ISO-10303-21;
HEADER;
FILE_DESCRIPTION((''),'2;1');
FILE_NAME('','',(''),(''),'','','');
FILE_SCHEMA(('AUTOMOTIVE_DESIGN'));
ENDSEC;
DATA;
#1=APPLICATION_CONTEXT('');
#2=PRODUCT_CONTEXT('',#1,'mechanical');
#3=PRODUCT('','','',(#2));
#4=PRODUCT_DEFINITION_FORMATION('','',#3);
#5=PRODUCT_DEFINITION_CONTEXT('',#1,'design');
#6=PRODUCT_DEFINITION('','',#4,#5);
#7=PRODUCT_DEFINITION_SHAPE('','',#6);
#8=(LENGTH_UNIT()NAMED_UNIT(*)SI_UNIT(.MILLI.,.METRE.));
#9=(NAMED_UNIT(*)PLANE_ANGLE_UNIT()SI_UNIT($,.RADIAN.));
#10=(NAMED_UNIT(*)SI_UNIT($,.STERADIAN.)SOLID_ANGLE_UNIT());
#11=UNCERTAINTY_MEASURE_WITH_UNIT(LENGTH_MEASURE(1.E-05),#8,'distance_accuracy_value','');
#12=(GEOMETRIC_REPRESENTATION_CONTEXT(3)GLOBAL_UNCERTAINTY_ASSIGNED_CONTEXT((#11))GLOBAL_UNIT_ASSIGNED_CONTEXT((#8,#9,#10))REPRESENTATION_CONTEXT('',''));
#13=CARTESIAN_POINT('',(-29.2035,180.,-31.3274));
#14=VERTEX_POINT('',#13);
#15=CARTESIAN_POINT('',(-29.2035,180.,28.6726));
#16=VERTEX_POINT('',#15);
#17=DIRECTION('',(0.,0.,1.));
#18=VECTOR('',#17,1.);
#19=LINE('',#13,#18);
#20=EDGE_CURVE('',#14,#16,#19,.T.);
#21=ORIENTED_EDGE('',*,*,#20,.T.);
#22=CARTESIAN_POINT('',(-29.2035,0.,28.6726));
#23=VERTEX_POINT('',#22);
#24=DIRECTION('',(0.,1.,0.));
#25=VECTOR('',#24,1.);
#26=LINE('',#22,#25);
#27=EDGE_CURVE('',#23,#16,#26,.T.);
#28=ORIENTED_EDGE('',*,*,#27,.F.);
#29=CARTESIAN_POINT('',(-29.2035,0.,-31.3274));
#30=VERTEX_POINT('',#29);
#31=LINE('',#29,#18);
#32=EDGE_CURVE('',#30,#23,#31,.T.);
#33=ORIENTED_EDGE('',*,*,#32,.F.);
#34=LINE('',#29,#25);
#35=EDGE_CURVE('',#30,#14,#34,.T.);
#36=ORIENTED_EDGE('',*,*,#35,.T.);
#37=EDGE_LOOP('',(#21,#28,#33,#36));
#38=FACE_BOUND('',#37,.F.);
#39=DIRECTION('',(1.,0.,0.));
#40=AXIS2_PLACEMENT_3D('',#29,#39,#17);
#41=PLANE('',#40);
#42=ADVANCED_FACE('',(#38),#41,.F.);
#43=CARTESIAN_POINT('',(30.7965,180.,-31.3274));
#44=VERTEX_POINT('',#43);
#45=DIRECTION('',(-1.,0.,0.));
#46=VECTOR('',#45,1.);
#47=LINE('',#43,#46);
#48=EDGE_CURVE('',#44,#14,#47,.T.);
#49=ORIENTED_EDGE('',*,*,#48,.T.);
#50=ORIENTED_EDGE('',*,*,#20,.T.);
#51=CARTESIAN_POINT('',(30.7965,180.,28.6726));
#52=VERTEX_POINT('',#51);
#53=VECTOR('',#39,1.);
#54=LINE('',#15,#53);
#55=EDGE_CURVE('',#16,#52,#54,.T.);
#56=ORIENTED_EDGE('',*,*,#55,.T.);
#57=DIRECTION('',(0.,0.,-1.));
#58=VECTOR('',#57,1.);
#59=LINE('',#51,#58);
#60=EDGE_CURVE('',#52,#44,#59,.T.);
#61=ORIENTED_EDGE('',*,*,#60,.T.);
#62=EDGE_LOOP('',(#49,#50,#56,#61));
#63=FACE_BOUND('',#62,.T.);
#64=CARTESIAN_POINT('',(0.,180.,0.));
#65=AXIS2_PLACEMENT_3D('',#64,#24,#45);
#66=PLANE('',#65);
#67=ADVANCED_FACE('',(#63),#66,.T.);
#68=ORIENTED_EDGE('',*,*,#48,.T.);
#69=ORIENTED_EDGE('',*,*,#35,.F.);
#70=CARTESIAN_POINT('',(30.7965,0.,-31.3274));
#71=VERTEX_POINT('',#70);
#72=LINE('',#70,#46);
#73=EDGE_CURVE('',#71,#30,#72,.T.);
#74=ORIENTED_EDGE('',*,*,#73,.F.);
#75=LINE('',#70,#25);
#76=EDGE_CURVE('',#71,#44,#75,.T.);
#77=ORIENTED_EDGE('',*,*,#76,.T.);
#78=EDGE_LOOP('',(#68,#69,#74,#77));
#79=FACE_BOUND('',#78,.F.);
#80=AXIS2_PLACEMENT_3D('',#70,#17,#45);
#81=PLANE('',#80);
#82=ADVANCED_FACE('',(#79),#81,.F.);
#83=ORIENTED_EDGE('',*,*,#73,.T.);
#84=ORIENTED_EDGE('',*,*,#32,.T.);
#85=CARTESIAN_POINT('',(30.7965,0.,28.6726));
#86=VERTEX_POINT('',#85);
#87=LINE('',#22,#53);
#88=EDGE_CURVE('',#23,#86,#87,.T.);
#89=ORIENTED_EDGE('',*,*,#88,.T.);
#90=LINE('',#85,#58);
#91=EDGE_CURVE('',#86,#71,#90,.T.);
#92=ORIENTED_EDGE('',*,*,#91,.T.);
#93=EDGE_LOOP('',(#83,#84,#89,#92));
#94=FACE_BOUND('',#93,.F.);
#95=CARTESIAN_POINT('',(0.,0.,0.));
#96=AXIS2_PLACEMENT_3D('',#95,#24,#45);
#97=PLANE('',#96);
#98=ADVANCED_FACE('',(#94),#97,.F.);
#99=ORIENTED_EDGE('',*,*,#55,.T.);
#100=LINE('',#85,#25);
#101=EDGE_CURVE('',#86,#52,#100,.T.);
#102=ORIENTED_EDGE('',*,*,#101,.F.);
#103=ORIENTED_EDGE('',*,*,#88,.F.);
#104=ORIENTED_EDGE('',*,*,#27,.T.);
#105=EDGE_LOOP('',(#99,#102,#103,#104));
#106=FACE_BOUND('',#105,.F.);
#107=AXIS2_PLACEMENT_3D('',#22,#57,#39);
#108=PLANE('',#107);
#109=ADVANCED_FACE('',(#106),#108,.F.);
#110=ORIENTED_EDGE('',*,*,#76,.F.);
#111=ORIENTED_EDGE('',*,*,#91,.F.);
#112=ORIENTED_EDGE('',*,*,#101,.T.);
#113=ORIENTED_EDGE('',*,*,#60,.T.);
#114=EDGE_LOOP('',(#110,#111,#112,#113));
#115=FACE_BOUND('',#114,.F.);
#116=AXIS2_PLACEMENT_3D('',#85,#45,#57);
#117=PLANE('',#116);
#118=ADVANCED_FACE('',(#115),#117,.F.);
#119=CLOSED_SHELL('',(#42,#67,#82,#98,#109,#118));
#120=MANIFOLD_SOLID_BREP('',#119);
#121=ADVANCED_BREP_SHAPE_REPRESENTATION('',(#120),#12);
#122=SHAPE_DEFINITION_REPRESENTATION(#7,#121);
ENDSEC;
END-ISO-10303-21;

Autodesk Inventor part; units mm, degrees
ref_plane "YZ Plane" through (0, 0, 0) normal (1, 0, 0) x (0, 1, 0)
ref_plane "XZ Plane" through (0, 0, 0) normal (0, 1, 0) x (-1, 0, 0)
ref_plane "XY Plane" through (0, 0, 0) normal (0, 0, 1) x (1, 0, 0)
sketch "Esquisse1" plane through (0, 0, 0) normal (0, 1, 0) x (-1, 0, 0)
  line L0 (29.2035, 28.6726) -> (-30.7965, 28.6726)
  line L1 (-30.7965, 28.6726) -> (-30.7965, -31.3274)
  line L2 (-30.7965, -31.3274) -> (29.2035, -31.3274)
  line L3 (29.2035, -31.3274) -> (29.2035, 28.6726)
  point P0 (0, 0)
  dimension "d0" = 60
  dimension "d1" = 60
extrude "Extrusion1" add sketch "Esquisse1" along normal blind 180
properties part number "grosse-batterie"
